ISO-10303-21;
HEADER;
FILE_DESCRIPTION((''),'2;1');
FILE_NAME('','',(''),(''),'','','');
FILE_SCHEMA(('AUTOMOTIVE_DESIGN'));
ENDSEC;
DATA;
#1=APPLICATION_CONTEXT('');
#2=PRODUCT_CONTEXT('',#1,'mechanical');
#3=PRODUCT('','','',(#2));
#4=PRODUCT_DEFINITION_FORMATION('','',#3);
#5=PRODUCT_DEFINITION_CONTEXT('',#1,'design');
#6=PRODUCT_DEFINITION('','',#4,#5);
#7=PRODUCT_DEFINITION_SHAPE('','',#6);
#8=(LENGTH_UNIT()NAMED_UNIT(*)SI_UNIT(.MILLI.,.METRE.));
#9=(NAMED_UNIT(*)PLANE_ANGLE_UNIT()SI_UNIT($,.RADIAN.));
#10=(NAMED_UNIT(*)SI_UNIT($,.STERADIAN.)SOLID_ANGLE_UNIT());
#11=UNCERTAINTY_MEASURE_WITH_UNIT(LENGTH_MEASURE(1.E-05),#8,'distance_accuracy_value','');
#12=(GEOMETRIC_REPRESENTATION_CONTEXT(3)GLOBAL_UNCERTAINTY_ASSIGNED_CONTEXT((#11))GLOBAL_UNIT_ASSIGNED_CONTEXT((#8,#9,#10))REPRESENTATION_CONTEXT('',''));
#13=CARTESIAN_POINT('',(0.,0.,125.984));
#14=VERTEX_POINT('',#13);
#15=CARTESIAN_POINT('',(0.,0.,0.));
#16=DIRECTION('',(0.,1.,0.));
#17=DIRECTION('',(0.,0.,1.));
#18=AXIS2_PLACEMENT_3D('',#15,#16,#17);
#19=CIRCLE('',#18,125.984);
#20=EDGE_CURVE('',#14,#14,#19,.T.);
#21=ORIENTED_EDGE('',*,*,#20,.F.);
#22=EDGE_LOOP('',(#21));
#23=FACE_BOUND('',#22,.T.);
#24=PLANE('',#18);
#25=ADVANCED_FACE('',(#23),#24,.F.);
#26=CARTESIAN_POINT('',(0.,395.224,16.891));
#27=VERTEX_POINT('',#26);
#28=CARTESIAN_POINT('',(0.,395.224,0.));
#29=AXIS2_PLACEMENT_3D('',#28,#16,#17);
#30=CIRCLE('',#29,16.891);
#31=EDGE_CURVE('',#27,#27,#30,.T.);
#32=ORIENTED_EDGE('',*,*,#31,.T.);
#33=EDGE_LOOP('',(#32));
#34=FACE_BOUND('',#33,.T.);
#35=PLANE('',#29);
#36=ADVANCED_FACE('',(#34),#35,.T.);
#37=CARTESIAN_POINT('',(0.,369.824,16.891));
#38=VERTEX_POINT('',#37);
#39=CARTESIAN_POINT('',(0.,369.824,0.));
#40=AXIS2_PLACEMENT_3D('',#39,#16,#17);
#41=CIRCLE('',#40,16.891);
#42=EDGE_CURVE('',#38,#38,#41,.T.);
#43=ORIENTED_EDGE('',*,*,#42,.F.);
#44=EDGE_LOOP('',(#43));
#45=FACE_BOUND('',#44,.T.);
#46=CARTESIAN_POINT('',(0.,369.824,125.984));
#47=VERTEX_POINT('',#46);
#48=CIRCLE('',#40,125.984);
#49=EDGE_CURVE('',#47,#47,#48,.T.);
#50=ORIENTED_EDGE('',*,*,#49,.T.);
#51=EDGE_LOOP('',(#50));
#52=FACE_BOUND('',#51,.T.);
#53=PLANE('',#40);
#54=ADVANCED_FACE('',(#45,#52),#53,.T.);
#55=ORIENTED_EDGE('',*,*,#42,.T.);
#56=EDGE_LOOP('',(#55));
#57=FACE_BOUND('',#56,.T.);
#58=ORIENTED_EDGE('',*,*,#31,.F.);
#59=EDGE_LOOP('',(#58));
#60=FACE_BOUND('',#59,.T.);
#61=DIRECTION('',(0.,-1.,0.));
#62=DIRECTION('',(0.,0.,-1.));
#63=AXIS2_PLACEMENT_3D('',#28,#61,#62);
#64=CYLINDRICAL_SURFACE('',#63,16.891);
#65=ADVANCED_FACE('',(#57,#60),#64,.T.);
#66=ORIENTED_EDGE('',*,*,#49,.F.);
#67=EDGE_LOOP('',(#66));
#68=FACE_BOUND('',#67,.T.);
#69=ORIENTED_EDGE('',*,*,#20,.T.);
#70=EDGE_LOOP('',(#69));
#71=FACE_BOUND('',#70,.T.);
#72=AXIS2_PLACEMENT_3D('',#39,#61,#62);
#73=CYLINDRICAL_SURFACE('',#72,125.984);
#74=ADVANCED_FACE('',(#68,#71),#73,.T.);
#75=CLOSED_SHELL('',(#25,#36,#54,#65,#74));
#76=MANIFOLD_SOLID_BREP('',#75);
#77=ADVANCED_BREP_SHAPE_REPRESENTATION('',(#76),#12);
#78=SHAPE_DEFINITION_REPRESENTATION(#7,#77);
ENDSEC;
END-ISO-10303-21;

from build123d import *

# Parameters (mm, degrees)
SKETCH1_R           = 125.984
BOSS_EXTRUDE1_DEPTH = 369.824
SKETCH2_R           = 16.891
BOSS_EXTRUDE2_DEPTH = 25.4


with BuildPart() as part:
    # Sketch1 → Boss-Extrude1 (new body)
    with BuildSketch(Plane(origin=(0, 0, 0), x_dir=(1, 0, 0), z_dir=(0, 1, 0))):
        Circle(SKETCH1_R)
    extrude(amount=BOSS_EXTRUDE1_DEPTH)

    # Sketch2 → Boss-Extrude2 (add)
    with BuildSketch(Plane(origin=(0, 369.824, 0), x_dir=(1, 0, 0), z_dir=(0, 1, 0))):
        Circle(SKETCH2_R)
    extrude(amount=BOSS_EXTRUDE2_DEPTH)


solid = part.part
